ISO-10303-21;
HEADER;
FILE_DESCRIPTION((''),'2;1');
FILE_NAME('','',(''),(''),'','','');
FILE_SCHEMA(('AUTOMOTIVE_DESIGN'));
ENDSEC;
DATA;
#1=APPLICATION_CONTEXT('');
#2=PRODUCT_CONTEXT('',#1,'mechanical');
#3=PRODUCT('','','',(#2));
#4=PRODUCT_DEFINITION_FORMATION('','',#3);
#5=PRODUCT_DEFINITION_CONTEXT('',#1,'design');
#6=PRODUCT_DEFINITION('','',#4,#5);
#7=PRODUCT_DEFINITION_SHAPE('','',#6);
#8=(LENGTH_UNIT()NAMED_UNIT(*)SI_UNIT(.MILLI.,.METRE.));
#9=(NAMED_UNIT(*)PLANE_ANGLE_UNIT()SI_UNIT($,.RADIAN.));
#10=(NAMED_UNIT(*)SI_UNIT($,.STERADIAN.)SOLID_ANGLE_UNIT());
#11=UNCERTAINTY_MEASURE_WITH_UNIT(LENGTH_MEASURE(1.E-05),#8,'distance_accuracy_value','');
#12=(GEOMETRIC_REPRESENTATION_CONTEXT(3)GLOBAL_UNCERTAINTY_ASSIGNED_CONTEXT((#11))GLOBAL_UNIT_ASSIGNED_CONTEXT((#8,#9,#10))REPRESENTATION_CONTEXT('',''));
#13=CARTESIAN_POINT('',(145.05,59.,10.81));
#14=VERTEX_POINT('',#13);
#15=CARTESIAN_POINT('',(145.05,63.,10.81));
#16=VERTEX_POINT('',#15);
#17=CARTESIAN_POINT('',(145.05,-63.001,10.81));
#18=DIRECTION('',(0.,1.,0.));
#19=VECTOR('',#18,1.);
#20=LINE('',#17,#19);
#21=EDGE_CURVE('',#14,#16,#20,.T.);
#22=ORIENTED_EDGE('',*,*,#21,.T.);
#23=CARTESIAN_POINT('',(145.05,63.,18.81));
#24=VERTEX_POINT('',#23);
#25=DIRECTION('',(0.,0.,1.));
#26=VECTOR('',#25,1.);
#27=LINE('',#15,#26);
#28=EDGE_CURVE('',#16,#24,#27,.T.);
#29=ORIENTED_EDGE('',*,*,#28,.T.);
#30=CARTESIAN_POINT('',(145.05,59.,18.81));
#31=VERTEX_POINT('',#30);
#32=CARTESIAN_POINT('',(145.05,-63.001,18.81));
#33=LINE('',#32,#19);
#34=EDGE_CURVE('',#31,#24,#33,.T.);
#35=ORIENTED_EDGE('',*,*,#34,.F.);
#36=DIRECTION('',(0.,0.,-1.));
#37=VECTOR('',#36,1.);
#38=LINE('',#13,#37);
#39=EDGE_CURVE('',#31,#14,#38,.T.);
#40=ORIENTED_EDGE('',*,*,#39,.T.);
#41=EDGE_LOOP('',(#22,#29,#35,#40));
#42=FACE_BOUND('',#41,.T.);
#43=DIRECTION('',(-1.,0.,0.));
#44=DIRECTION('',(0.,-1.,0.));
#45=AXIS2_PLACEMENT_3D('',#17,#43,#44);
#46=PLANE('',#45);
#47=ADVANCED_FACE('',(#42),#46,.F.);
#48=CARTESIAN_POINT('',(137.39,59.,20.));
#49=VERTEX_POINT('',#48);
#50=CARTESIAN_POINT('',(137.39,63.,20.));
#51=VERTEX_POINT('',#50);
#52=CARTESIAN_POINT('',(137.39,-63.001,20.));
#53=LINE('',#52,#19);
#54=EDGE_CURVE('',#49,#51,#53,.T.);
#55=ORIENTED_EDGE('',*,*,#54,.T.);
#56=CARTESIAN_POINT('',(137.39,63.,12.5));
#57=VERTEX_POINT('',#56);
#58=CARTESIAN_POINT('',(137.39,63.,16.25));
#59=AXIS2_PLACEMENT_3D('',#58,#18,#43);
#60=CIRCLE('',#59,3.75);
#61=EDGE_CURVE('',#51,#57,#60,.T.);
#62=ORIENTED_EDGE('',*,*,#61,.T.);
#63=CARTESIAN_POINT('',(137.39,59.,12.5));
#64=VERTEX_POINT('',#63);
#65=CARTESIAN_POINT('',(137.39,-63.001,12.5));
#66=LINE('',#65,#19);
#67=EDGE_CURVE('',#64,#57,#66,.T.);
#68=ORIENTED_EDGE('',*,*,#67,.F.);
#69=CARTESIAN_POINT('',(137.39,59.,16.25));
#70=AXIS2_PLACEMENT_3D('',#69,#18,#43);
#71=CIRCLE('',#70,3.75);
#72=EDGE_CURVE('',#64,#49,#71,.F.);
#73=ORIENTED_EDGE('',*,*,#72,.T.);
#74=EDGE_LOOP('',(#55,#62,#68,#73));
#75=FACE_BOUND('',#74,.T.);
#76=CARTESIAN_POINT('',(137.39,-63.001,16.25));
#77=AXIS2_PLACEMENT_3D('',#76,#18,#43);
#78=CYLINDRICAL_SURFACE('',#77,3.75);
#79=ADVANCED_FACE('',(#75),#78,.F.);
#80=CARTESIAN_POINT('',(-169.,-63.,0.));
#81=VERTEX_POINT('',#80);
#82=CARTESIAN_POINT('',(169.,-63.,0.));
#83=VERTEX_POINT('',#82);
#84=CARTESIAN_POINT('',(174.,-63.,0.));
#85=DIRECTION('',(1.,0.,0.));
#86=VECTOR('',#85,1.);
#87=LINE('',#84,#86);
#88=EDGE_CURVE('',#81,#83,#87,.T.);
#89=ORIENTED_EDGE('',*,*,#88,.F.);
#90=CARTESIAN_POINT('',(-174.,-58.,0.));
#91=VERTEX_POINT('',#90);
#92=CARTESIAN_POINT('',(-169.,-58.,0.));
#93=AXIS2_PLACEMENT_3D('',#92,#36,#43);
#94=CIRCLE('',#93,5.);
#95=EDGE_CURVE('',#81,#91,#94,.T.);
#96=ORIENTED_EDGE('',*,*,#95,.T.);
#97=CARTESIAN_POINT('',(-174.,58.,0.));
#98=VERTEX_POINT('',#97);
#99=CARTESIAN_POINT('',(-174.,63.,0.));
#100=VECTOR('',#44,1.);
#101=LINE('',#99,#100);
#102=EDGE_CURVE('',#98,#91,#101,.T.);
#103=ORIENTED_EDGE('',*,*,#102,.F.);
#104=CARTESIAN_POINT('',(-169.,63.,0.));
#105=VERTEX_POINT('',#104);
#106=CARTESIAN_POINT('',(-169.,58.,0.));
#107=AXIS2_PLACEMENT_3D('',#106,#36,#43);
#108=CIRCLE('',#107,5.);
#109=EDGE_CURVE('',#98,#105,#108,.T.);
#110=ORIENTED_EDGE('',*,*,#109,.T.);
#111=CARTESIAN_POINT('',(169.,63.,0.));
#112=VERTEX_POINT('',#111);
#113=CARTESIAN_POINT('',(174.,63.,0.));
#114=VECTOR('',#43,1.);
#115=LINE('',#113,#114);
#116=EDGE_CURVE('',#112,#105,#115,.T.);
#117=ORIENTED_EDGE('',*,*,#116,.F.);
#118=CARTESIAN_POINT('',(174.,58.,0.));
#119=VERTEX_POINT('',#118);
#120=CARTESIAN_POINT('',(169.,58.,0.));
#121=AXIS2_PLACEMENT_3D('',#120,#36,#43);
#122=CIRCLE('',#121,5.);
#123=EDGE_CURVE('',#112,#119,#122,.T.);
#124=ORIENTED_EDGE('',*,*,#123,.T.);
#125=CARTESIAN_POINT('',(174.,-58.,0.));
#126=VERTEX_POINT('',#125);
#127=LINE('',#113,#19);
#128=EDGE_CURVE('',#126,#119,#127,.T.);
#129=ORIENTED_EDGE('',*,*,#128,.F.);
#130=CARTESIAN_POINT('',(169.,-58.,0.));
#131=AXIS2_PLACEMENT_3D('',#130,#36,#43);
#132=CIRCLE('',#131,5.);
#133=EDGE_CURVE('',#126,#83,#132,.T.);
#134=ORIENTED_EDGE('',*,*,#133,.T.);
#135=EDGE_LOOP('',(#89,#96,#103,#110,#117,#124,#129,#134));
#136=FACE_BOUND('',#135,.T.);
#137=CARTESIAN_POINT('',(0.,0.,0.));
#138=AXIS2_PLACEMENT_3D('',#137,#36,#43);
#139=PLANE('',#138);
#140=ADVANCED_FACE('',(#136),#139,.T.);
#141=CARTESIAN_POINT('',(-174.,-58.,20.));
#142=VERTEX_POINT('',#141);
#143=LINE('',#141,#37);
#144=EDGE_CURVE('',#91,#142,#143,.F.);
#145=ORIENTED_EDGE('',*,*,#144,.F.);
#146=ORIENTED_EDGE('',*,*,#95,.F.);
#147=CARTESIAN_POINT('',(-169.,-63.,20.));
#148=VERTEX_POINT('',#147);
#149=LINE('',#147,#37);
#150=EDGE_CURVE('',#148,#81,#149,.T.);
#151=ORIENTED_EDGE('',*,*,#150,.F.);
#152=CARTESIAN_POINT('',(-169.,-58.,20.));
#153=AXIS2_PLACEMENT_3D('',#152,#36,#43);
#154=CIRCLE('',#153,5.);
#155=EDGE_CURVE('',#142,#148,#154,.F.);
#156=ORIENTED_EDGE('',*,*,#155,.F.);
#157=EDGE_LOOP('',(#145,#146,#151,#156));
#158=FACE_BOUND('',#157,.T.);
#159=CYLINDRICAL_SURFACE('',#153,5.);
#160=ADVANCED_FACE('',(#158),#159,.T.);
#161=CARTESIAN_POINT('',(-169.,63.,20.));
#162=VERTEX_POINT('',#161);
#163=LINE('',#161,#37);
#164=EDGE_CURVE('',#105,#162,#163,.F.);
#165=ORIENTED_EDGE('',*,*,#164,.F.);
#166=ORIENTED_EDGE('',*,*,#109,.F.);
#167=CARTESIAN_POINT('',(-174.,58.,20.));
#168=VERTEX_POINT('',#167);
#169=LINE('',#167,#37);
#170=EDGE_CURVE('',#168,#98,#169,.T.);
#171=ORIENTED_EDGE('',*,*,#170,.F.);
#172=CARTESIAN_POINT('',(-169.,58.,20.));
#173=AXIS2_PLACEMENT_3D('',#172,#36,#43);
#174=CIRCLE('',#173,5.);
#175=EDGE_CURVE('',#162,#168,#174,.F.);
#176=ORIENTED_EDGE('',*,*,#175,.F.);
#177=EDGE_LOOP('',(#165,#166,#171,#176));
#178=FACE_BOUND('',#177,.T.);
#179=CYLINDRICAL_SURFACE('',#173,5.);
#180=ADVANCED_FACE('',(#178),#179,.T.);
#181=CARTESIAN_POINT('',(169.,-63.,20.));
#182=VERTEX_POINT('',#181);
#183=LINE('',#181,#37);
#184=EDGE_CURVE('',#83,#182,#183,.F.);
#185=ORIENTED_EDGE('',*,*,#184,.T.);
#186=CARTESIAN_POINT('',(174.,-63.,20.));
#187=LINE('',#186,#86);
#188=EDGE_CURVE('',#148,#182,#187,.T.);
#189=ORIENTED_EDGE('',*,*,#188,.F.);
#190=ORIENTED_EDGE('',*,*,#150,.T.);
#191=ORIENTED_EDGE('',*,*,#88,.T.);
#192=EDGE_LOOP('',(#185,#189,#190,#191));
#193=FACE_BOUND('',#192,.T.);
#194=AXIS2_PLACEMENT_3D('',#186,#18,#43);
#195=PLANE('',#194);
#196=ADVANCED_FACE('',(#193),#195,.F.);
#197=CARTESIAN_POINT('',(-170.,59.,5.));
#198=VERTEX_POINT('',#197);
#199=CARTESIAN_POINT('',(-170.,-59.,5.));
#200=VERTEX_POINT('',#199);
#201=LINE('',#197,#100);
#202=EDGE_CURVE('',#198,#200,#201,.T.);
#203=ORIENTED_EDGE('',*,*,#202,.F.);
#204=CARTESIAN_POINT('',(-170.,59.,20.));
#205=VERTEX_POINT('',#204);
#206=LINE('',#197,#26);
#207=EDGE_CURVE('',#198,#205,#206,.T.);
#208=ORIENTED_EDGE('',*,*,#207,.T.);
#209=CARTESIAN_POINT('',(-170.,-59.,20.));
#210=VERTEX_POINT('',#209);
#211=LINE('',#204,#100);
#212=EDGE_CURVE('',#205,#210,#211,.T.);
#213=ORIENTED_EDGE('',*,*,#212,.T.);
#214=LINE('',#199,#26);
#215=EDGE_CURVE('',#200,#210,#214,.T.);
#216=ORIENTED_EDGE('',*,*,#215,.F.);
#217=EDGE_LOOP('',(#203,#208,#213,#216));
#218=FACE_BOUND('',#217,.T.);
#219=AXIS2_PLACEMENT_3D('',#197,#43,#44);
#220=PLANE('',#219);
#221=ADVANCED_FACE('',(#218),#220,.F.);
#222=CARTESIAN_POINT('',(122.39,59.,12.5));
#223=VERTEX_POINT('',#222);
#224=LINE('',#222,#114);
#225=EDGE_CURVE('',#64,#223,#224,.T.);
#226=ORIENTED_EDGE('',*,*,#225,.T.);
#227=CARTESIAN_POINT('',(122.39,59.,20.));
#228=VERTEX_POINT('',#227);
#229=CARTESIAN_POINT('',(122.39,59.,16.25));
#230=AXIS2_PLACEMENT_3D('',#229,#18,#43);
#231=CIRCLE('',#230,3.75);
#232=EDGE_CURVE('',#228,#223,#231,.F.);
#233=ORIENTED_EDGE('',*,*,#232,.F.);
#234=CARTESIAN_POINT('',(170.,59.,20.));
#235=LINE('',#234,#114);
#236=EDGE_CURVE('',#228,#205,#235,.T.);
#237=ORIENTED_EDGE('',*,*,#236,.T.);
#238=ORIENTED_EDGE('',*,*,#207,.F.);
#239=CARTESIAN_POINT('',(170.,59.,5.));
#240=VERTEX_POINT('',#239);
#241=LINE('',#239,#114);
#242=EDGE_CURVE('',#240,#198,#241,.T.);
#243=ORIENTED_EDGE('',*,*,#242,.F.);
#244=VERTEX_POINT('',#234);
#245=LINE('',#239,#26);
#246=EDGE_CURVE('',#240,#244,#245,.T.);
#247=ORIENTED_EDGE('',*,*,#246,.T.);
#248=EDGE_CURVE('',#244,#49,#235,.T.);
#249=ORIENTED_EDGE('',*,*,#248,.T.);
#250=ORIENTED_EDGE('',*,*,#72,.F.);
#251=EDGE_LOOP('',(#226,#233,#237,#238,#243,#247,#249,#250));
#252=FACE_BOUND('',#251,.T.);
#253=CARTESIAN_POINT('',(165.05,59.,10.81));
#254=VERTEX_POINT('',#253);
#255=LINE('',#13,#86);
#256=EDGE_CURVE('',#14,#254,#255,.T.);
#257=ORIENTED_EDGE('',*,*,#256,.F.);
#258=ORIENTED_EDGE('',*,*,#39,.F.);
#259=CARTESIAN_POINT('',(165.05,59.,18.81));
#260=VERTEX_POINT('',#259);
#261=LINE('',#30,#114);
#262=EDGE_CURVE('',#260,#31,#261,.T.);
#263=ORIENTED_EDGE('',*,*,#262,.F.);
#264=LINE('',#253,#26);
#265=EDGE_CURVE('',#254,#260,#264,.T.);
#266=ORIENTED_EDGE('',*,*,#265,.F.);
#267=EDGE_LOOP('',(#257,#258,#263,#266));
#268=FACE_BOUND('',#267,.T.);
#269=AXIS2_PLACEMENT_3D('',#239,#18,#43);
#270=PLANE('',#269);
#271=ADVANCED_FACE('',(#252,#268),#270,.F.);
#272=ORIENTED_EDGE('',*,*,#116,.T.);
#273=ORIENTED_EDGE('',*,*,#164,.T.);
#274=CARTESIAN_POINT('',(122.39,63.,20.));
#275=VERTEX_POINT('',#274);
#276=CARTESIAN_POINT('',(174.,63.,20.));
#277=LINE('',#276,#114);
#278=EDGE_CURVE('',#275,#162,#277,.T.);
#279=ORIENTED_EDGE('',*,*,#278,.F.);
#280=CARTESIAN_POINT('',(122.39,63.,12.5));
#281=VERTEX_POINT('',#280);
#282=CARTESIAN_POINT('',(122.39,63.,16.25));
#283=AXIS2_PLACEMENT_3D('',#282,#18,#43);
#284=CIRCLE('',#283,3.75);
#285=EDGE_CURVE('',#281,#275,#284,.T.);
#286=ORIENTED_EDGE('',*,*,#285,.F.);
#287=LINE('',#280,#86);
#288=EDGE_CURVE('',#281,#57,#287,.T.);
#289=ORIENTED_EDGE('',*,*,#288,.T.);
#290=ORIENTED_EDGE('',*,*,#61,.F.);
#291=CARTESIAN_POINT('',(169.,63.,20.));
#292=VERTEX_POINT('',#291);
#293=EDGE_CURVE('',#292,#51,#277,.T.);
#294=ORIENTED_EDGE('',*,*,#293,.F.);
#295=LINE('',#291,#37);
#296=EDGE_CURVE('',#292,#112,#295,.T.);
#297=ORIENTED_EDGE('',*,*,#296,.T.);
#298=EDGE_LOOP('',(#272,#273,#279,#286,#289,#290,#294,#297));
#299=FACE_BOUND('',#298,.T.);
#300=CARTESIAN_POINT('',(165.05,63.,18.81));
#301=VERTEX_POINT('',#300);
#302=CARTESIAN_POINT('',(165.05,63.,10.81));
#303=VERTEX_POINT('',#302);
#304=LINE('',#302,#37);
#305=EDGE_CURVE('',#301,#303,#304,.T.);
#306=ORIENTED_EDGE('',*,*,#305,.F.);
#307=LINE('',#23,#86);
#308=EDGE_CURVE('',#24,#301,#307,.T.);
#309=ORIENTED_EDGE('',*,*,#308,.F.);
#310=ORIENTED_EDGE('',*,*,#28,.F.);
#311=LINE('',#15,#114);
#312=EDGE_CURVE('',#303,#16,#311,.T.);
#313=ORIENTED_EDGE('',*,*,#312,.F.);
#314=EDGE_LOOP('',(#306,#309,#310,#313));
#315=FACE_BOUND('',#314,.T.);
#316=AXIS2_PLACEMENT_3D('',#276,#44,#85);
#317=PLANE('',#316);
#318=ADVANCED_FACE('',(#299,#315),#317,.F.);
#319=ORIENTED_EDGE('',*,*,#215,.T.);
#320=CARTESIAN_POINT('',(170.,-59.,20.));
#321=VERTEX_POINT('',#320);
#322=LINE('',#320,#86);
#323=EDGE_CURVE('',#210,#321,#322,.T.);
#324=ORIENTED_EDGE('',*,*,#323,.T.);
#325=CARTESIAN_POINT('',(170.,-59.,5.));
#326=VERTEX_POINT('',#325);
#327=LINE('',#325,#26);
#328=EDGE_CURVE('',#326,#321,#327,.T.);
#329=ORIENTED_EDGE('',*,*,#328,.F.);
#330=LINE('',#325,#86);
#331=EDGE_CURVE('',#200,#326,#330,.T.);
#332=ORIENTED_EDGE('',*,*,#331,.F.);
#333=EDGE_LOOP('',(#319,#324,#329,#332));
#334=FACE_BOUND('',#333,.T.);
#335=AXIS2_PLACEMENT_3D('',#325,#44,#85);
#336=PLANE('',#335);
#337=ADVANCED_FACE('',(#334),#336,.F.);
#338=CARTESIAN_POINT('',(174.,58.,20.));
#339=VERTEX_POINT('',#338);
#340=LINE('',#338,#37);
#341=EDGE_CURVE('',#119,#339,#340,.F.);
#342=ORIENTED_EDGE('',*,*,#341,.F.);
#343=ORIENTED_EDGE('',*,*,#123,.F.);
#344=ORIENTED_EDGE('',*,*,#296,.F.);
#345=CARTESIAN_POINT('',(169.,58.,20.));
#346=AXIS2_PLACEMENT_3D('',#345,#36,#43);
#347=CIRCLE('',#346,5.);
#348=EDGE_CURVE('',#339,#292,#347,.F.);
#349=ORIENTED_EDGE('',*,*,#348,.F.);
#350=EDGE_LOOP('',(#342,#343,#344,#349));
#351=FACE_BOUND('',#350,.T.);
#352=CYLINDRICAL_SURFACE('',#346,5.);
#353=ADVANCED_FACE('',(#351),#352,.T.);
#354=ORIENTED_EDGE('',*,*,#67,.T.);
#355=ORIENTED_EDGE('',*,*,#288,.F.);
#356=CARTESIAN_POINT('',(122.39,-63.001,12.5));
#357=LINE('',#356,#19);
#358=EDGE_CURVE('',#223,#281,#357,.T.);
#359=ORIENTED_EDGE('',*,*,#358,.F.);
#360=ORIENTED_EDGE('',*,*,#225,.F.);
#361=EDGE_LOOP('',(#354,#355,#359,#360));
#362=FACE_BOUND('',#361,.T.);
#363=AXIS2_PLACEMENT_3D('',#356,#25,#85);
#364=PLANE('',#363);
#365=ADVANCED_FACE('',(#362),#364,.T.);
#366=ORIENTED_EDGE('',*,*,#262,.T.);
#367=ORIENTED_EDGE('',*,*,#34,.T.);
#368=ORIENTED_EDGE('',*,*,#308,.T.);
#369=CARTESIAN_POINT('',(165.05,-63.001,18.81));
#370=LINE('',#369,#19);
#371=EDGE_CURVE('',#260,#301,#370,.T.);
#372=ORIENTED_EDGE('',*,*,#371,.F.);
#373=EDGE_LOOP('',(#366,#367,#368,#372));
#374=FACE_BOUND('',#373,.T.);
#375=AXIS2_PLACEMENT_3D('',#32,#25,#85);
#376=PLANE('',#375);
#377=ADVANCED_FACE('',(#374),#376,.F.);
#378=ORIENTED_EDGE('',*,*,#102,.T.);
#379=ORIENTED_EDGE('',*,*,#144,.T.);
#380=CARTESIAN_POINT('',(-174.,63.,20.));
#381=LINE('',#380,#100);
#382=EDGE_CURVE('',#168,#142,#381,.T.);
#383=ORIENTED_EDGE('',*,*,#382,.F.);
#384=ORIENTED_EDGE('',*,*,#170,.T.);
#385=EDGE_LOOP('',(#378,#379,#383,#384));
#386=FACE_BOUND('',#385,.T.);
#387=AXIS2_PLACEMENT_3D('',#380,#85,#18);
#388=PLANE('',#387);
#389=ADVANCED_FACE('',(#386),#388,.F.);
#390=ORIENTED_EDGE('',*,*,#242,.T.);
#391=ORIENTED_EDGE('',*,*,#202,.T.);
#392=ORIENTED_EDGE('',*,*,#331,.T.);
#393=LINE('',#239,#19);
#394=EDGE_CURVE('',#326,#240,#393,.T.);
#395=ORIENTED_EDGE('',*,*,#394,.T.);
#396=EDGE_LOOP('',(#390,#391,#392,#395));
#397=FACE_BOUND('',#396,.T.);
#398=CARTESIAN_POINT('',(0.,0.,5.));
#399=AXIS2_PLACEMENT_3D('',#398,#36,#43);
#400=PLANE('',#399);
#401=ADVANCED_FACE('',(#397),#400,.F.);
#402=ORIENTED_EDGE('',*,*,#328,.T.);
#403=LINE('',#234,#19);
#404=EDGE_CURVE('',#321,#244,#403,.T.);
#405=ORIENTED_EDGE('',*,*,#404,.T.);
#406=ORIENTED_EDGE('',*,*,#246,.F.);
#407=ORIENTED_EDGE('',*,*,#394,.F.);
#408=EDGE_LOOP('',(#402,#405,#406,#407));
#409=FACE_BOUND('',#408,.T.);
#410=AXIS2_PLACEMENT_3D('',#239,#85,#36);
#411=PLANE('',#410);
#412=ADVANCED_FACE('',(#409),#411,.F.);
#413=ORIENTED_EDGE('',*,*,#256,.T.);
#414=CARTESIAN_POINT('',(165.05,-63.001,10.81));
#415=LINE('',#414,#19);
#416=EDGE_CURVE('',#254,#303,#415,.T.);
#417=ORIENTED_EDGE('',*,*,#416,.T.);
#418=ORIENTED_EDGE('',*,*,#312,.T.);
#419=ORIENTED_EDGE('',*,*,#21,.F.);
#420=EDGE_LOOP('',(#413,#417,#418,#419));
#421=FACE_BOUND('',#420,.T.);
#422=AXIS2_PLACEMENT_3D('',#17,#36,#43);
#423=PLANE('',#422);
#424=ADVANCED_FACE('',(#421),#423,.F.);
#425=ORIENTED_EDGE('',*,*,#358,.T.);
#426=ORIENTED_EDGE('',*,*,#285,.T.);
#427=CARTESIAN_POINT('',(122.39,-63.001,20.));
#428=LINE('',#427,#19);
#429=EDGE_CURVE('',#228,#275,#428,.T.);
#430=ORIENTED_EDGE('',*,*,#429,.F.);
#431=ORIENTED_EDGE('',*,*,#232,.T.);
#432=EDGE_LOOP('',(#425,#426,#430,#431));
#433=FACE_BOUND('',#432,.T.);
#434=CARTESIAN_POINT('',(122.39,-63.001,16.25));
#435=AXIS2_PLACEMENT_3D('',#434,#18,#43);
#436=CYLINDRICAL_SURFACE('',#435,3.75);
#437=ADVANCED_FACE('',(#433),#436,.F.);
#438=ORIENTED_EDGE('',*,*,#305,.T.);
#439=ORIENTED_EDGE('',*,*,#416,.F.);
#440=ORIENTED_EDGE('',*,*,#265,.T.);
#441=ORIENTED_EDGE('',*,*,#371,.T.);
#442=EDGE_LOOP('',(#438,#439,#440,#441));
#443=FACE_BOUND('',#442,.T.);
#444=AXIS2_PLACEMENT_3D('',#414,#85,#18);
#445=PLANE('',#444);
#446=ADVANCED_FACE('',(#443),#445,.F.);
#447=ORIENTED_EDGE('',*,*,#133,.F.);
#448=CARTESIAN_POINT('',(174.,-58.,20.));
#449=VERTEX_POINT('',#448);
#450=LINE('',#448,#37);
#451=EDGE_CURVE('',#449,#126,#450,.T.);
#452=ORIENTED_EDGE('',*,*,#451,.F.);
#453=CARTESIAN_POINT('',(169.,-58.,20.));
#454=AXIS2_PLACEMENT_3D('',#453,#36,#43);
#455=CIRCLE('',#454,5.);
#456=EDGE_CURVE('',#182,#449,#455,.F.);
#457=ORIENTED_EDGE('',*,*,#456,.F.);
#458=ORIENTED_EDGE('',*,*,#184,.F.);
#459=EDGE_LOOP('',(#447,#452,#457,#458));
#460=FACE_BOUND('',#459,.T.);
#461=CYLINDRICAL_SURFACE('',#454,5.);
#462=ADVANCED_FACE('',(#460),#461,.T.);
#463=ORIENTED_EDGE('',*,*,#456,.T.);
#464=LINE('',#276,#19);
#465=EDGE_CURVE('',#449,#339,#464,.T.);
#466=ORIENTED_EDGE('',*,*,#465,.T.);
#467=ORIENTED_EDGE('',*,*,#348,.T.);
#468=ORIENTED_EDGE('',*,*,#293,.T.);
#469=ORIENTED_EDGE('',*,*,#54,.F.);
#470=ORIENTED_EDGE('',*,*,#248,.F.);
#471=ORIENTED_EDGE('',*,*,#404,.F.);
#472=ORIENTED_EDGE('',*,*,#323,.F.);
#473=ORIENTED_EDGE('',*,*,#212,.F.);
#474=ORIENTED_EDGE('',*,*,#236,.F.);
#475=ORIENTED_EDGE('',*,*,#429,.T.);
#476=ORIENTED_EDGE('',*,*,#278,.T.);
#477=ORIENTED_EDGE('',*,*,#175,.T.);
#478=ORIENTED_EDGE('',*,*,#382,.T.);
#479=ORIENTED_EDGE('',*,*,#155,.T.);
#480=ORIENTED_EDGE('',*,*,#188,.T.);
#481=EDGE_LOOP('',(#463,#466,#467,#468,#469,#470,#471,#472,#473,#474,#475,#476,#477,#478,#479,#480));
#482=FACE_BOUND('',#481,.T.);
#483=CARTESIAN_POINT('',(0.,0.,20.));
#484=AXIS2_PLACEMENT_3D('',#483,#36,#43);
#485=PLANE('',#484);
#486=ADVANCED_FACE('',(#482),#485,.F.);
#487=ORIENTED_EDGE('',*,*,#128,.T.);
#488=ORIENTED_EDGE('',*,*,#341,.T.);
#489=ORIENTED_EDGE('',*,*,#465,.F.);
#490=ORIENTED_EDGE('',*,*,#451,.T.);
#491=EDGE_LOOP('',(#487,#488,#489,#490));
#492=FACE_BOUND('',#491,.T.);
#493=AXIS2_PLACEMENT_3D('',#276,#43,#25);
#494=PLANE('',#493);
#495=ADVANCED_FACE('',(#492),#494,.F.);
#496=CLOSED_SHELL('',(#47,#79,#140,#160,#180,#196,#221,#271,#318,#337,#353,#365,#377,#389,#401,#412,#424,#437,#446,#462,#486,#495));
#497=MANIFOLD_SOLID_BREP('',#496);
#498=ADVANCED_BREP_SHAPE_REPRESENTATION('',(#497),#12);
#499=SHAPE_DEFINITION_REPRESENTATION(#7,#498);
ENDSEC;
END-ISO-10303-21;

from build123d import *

# Parameters (mm, degrees)
SKETCH1_W           = 348
SKETCH1_H           = 126
BOSS_EXTRUDE1_DEPTH = 20
SKETCH2_W           = 340
SKETCH2_H           = 118
CUT_EXTRUDE1_DEPTH  = 15
CUT_EXTRUDE2_REACH  = 217.759
CUT_EXTRUDE3_REACH  = 217.759
SKETCH5_W           = 20
SKETCH5_H           = 8
FILLET1_R           = 5


with BuildPart() as part:
    # Sketch1 → Boss-Extrude1 (new body)
    with BuildSketch(Plane.XY):
        Rectangle(SKETCH1_W, SKETCH1_H)
    extrude(amount=BOSS_EXTRUDE1_DEPTH)

    # Sketch2 → Cut-Extrude1 (cut)
    with BuildSketch(Plane.XY.offset(20)):
        Rectangle(SKETCH2_W, SKETCH2_H)
    extrude(amount=-CUT_EXTRUDE1_DEPTH, mode=Mode.SUBTRACT)

    # Sketch4 → Cut-Extrude2 (cut, up to next)
    with BuildSketch(Plane(origin=(0, 63, 0), x_dir=(1, 0, 0), z_dir=(0, 1, 0)), mode=Mode.PRIVATE) as cut_extrude2_sk1:
        with BuildLine():
            Line((122.39, -12.5), (137.39, -12.5))
            ThreePointArc((137.39, -12.5), (141.14, -16.25), (137.39, -20))
            Line((137.39, -20), (122.39, -20))
            ThreePointArc((122.39, -20), (118.64, -16.25), (122.39, -12.5))
        make_face()
    cut_extrude2_tool1 = extrude(cut_extrude2_sk1.sketch, amount=-CUT_EXTRUDE2_REACH, mode=Mode.PRIVATE) & part.part
    add(cut_extrude2_tool1.solids().sort_by_distance((129.89, 63, 16.25))[0], mode=Mode.SUBTRACT)

    # Sketch5 → Cut-Extrude3 (cut, up to next)
    with BuildSketch(Plane(origin=(0, 63, 0), x_dir=(1, 0, 0), z_dir=(0, 1, 0)), mode=Mode.PRIVATE) as cut_extrude3_sk1:
        with Locations((155.05, -14.81)):
            Rectangle(SKETCH5_W, SKETCH5_H)
    cut_extrude3_tool1 = extrude(cut_extrude3_sk1.sketch, amount=-CUT_EXTRUDE3_REACH, mode=Mode.PRIVATE) & part.part
    add(cut_extrude3_tool1.solids().sort_by_distance((155.05, 63, 14.81))[0], mode=Mode.SUBTRACT)

    # Fillet1
    fillet1_edges = [part.edges().sort_by_distance(p)[0] for p in [
        (-174, 63, 10),
        (174, 63, 10),
        (174, -63, 10),
        (-174, -63, 10),
    ]]
    fillet(fillet1_edges, radius=FILLET1_R)


solid = part.part
